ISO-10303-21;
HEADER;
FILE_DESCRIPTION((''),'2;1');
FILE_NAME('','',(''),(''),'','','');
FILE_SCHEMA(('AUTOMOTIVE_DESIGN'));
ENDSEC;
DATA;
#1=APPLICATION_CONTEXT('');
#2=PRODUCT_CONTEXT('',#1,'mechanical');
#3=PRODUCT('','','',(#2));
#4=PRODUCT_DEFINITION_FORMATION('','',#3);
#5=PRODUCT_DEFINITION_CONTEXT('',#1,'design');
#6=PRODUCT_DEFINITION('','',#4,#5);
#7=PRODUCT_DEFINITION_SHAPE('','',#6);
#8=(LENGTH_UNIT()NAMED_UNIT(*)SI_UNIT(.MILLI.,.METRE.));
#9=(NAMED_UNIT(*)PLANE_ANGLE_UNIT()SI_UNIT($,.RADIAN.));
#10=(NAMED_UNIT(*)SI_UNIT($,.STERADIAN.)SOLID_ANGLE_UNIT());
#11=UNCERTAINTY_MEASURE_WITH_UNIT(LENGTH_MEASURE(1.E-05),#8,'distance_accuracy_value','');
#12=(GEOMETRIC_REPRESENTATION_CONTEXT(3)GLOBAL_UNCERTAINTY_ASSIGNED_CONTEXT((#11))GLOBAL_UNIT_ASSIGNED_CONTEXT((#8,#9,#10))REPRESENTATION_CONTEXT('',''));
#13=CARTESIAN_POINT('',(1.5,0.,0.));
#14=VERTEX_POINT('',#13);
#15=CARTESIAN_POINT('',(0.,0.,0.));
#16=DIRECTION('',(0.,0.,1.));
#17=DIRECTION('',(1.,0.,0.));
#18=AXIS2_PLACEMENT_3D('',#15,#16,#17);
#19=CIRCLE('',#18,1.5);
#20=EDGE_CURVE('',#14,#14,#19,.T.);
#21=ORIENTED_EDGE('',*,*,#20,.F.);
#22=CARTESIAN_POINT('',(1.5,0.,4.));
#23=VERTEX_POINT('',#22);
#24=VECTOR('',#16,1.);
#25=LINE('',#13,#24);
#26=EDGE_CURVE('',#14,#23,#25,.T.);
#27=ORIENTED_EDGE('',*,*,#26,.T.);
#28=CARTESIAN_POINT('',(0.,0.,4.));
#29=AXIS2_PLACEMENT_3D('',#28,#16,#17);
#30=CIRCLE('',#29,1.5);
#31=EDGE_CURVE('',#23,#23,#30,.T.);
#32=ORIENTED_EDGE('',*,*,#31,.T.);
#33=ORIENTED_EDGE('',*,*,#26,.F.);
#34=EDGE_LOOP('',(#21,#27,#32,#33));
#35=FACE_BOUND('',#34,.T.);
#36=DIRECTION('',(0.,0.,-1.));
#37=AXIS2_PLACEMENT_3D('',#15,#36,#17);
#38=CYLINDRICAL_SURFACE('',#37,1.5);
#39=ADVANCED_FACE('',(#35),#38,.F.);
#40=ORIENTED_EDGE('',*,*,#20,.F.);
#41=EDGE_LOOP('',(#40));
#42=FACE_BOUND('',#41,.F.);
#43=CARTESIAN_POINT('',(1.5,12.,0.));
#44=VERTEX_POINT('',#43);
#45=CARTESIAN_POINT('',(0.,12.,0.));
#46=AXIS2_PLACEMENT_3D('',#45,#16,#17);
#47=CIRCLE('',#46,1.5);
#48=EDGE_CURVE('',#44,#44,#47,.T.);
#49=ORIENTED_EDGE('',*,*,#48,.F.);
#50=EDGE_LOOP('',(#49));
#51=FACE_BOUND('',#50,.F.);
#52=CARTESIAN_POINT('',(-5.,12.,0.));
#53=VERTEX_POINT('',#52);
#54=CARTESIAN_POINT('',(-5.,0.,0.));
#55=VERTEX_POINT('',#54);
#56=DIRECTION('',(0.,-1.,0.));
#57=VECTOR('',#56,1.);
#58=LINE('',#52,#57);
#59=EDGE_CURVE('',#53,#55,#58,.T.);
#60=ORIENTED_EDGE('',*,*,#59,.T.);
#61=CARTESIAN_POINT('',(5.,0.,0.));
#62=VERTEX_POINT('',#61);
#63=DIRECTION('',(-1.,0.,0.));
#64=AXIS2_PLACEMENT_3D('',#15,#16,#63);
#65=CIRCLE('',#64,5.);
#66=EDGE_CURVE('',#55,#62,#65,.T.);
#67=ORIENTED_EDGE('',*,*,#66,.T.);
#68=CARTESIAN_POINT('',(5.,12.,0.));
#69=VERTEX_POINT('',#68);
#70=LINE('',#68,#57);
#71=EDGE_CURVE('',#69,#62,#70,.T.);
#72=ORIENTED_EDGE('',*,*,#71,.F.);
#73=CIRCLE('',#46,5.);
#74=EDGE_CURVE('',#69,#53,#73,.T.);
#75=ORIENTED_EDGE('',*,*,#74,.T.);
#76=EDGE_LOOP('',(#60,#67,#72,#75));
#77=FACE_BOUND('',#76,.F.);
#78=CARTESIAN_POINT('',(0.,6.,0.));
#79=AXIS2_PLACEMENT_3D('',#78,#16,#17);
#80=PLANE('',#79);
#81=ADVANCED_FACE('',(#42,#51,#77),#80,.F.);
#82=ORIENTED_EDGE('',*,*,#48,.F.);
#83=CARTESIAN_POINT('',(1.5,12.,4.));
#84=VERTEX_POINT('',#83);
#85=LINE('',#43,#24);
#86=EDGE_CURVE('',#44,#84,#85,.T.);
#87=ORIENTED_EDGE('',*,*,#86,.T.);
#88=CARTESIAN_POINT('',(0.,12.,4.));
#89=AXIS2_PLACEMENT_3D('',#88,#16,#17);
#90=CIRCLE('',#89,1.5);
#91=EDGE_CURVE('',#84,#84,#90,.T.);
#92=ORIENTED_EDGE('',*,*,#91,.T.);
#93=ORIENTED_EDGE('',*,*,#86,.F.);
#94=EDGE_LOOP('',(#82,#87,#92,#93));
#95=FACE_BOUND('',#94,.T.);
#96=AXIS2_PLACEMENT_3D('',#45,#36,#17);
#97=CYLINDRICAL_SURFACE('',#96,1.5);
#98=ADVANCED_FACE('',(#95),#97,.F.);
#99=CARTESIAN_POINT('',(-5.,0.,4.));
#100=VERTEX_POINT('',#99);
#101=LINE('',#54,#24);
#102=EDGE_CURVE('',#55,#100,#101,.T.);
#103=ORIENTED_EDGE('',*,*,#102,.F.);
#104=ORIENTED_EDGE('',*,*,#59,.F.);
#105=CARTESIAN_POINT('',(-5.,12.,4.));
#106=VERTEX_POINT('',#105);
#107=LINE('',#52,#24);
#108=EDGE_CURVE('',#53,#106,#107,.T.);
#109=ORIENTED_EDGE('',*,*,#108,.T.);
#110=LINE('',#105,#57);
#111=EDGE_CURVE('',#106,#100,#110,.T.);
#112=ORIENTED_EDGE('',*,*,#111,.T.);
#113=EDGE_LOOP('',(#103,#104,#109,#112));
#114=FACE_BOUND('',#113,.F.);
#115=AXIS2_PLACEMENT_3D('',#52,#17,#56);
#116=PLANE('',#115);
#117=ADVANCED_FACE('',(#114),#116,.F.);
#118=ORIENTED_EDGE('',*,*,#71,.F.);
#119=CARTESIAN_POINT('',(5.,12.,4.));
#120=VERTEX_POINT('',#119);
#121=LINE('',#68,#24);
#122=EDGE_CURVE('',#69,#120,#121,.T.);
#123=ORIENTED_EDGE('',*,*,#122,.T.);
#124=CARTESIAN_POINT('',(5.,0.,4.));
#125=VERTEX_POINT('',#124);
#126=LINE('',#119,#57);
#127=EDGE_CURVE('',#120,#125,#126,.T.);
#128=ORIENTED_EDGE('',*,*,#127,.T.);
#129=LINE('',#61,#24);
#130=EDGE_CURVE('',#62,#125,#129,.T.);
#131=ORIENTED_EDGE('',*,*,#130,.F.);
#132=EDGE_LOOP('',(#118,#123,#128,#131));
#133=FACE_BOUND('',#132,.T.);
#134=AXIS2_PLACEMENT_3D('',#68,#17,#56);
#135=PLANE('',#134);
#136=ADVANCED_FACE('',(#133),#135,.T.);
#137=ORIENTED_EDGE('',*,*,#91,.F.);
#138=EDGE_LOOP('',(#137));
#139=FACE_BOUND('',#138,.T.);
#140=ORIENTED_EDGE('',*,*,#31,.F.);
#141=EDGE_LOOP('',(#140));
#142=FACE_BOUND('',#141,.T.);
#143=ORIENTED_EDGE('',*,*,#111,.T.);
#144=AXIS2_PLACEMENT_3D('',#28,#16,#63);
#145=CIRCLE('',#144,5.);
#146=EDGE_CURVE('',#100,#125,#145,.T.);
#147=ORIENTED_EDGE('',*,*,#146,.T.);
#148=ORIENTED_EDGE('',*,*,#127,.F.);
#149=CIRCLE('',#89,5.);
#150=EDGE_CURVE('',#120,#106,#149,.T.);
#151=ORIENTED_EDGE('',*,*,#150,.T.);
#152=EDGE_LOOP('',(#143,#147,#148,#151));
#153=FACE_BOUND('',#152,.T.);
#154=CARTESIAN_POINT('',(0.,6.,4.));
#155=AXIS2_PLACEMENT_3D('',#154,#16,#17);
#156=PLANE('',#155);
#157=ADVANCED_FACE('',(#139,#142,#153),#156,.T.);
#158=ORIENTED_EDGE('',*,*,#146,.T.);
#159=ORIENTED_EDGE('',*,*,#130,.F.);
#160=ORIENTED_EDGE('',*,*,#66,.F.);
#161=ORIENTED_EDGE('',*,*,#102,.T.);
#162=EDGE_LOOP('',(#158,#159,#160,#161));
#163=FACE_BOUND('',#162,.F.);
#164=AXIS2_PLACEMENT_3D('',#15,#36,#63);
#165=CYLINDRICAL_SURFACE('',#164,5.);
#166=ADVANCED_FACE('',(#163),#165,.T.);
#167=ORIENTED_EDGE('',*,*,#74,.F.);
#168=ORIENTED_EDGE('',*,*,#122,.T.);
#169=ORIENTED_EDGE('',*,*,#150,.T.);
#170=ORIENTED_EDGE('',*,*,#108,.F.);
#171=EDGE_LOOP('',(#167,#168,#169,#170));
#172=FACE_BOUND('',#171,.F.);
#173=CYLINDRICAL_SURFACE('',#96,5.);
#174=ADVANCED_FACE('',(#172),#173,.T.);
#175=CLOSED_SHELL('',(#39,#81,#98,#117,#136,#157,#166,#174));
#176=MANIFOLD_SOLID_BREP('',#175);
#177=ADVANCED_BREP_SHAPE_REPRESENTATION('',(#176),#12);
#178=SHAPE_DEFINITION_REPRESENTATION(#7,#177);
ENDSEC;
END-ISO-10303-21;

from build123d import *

# Parameters (mm, degrees)
SKETCH_R  = 1.5
PAD_DEPTH = 4


with BuildPart() as part:
    # Sketch → Pad (new body)
    with BuildSketch(Plane.XY):
        with BuildLine():
            ThreePointArc((5, 12), (0, 17), (-5, 12))
            Line((-5, 12), (-5, 0))
            ThreePointArc((-5, 0), (0, -5), (5, 0))
            Line((5, 12), (5, 0))
        make_face()
        with Locations((0, 12)):
            Circle(SKETCH_R, mode=Mode.SUBTRACT)
        Circle(SKETCH_R, mode=Mode.SUBTRACT)
    extrude(amount=PAD_DEPTH)


solid = part.part
